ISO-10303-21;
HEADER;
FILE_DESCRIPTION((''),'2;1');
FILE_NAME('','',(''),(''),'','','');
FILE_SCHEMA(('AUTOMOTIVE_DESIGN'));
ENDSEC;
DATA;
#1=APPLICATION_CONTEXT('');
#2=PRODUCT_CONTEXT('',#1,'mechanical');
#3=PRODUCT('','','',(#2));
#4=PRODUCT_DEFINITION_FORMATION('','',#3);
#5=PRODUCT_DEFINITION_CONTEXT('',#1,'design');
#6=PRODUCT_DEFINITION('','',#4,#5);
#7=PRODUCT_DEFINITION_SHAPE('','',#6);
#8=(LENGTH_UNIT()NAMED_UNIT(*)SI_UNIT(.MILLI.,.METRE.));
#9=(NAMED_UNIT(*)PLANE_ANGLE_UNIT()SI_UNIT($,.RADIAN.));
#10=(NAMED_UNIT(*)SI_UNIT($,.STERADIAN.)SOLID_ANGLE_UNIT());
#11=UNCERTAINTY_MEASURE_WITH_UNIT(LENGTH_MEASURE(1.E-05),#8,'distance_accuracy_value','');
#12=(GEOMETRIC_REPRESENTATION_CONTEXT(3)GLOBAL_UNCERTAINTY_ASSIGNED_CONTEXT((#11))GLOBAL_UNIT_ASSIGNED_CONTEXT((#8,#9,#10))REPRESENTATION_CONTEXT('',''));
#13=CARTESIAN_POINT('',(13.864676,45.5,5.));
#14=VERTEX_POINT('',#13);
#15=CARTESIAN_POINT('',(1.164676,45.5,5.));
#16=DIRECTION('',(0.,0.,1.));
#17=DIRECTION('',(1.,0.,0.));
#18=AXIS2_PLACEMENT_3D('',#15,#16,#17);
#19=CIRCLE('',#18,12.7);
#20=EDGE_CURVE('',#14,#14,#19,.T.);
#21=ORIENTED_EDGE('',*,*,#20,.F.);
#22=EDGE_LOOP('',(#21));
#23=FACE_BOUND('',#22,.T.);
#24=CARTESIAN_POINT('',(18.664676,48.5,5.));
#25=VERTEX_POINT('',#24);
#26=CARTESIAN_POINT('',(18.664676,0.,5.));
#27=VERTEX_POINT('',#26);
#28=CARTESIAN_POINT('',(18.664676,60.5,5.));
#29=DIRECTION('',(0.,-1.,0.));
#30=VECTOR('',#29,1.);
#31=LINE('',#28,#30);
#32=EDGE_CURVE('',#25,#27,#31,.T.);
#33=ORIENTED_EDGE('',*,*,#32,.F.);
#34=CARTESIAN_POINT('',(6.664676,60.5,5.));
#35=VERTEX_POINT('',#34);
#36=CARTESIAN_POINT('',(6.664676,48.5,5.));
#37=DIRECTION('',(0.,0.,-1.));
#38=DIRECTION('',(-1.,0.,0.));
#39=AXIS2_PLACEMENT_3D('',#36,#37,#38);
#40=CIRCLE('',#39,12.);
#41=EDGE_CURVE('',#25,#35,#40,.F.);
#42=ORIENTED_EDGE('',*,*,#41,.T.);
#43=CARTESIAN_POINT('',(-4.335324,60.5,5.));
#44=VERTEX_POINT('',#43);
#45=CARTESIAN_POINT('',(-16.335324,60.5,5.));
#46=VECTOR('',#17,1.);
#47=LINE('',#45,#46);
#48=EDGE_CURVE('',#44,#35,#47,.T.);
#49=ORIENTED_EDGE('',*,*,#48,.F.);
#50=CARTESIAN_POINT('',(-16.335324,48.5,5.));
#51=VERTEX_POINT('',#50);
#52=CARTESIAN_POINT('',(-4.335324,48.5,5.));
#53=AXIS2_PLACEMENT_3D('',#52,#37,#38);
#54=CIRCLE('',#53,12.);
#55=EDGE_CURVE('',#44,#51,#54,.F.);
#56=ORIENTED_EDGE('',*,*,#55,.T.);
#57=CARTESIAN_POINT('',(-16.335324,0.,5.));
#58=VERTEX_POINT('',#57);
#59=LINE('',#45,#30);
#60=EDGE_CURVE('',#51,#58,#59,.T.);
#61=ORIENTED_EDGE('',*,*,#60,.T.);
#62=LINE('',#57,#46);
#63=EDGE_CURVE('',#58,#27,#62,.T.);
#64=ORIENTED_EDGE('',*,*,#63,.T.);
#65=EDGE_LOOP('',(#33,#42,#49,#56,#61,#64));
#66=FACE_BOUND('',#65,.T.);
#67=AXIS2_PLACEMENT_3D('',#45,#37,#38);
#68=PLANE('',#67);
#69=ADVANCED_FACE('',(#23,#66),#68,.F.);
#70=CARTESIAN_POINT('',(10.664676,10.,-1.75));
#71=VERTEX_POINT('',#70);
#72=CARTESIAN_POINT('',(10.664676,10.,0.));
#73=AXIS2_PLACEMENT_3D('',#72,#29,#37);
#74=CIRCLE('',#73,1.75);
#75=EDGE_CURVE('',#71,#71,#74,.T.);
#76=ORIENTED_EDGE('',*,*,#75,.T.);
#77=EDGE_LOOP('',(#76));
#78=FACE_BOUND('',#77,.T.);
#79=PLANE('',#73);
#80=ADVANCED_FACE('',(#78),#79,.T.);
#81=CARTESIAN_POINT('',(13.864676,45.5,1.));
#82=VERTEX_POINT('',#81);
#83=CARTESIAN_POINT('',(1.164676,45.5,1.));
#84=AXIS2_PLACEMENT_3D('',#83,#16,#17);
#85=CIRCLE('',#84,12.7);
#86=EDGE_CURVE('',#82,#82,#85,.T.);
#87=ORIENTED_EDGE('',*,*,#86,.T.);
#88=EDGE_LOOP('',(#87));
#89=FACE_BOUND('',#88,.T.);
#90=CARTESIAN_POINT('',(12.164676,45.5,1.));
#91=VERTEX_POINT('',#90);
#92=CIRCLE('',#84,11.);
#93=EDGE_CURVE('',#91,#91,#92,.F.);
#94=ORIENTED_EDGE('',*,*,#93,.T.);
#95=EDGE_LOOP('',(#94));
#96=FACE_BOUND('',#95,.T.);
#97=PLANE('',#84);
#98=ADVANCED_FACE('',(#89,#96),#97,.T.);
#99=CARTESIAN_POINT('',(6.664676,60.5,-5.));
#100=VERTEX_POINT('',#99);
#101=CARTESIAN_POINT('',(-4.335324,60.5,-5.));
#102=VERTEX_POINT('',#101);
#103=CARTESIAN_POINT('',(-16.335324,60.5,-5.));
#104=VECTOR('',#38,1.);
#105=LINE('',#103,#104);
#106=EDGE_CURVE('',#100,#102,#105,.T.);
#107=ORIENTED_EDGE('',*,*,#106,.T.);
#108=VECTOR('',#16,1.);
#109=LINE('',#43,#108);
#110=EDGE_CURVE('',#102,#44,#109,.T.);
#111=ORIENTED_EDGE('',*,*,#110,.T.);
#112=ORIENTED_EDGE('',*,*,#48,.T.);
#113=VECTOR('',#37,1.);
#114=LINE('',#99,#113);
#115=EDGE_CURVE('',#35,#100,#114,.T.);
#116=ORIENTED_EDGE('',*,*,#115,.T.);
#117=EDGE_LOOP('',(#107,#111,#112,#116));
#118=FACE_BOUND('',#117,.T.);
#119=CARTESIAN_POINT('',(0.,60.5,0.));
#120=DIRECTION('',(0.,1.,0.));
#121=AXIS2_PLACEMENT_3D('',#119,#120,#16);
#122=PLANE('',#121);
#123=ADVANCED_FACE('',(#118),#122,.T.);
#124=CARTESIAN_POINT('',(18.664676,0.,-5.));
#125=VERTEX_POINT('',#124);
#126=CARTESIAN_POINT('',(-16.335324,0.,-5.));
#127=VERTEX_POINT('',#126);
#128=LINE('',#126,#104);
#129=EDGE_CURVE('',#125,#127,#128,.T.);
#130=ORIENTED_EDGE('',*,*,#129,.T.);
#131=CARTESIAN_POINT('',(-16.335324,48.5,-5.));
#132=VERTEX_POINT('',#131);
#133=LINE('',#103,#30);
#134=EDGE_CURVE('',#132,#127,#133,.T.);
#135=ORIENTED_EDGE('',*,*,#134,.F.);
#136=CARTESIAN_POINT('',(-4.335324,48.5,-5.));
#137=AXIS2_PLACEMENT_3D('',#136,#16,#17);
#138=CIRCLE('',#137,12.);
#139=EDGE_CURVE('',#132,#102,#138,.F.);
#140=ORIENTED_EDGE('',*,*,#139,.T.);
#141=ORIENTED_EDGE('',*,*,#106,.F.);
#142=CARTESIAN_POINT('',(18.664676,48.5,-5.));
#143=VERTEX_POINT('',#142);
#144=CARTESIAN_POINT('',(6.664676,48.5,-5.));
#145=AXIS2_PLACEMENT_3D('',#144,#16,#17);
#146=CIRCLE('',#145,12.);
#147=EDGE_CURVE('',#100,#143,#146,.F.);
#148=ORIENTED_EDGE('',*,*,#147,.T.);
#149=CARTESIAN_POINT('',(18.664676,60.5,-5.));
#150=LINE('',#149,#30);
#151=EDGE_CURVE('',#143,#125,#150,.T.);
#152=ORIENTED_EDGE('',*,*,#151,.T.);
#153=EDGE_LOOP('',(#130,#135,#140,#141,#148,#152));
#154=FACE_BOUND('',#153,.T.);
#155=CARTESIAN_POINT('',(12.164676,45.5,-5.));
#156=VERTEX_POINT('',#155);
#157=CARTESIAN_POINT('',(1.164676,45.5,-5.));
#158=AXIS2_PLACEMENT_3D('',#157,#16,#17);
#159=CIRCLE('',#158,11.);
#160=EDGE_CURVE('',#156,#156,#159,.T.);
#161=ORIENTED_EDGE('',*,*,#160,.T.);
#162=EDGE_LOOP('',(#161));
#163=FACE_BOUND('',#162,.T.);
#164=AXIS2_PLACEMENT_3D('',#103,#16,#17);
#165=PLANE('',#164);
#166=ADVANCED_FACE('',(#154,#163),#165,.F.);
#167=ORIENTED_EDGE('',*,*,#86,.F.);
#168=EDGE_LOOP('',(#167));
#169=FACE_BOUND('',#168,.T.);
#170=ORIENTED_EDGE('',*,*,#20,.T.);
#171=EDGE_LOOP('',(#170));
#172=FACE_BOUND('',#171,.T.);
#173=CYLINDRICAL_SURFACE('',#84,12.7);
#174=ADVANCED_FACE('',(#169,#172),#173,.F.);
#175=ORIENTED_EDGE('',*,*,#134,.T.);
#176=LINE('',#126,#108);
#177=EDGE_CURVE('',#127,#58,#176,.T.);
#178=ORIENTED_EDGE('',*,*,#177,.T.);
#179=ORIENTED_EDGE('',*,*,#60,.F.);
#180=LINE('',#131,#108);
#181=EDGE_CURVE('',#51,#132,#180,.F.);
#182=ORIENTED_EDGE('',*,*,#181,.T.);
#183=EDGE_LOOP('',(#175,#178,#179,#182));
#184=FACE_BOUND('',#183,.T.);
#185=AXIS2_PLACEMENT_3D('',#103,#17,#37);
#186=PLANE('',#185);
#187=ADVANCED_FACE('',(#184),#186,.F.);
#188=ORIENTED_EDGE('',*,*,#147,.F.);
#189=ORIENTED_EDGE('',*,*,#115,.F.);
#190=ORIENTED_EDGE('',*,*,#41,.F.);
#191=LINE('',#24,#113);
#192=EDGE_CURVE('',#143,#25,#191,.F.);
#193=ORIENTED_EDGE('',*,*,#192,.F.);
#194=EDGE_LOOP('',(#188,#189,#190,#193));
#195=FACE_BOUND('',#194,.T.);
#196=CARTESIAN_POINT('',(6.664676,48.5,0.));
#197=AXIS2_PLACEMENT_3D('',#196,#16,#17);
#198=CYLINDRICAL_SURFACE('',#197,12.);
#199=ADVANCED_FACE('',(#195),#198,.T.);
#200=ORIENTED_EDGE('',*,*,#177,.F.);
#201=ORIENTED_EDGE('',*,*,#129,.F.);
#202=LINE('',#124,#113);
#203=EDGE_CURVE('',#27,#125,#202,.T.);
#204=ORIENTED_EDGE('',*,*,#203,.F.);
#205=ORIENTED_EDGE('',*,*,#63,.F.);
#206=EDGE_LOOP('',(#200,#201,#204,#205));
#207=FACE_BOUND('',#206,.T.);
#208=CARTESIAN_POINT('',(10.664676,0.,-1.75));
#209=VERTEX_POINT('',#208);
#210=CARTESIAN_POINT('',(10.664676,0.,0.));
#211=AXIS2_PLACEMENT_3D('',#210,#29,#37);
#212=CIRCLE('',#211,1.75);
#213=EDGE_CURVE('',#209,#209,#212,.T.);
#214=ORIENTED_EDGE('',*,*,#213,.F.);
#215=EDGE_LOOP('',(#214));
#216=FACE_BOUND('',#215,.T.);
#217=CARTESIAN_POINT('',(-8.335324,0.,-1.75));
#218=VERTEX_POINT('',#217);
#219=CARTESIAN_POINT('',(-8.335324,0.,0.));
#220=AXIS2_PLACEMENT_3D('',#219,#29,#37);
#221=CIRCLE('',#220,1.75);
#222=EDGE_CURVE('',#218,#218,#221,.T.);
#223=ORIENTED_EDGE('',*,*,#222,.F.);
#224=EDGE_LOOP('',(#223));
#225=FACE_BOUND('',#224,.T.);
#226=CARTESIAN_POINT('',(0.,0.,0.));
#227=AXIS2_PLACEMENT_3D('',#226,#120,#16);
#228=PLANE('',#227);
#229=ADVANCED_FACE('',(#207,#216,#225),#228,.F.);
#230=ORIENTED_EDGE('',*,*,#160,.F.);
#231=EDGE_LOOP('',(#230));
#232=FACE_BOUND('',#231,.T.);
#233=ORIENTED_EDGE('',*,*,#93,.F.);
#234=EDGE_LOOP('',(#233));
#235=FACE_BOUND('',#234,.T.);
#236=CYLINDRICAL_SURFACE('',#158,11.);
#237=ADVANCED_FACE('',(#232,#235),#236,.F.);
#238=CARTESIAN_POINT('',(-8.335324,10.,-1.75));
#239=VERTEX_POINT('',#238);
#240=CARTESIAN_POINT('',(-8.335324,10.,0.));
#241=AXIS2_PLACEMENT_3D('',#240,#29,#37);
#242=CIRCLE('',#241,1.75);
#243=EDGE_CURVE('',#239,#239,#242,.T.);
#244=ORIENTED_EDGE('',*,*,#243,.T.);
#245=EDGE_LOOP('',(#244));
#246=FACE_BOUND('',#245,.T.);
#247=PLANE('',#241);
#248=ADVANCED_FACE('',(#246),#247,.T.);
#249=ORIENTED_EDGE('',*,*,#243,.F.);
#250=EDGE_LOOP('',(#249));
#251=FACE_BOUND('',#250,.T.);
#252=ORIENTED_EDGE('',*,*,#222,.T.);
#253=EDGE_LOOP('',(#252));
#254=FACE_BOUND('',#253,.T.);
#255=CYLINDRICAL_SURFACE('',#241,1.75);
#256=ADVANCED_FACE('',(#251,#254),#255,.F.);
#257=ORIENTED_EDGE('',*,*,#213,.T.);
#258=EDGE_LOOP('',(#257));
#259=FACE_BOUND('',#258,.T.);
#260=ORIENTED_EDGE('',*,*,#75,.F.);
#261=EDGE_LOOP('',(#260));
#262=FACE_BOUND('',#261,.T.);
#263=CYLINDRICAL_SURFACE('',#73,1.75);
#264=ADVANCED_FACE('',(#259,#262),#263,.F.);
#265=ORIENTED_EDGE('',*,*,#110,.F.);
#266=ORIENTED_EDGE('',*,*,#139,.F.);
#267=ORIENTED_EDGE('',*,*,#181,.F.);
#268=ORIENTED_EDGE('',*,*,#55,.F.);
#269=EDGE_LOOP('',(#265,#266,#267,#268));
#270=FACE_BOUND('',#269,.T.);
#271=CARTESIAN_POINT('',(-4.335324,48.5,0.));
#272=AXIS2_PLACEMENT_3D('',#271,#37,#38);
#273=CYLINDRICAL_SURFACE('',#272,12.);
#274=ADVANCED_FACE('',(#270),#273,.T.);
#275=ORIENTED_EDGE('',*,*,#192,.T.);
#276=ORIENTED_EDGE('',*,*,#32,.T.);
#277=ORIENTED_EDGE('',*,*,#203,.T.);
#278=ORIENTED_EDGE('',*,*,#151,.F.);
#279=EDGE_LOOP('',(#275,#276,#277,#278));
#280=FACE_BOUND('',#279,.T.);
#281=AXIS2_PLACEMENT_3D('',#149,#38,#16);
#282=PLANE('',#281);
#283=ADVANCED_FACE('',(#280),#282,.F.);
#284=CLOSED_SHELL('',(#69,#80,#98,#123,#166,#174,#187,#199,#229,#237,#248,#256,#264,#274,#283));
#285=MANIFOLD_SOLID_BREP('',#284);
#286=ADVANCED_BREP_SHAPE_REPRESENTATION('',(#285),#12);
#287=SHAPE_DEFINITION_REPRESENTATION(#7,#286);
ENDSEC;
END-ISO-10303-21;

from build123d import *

# Parameters (mm, degrees)
SKETCH1_W           = 35
SKETCH1_H           = 10
BOSS_EXTRUDE1_DEPTH = 60.5
SKETCH2_R           = 11
CUT_EXTRUDE1_DEPTH  = 11
SKETCH3_R           = 1.75
CUT_EXTRUDE2_DEPTH  = 10
FILLET1_R           = 12
SKETCH4_R           = 12.7
CUT_EXTRUDE3_DEPTH  = 4


with BuildPart() as part:
    # Sketch1 → Boss-Extrude1 (new body)
    with BuildSketch(Plane(origin=(0, 0, 0), x_dir=(1, 0, 0), z_dir=(0, 1, 0))):
        with Locations((1.164675851, 0)):
            Rectangle(SKETCH1_W, SKETCH1_H)
    extrude(amount=BOSS_EXTRUDE1_DEPTH)

    # Sketch2 → Cut-Extrude1 (cut, through all)
    with BuildSketch(Plane.XY.offset(5)):
        with Locations((1.164675851, 45.5)):
            Circle(SKETCH2_R)
    extrude(amount=-CUT_EXTRUDE1_DEPTH, mode=Mode.SUBTRACT)

    # Sketch3 → Cut-Extrude2 (cut)
    with BuildSketch(Plane.XZ):
        with Locations((-8.335324149, 0)):
            Circle(SKETCH3_R)
        with Locations((10.664675851, 0)):
            Circle(SKETCH3_R)
    extrude(amount=-CUT_EXTRUDE2_DEPTH, mode=Mode.SUBTRACT)

    # Fillet1
    fillet1_edges = [part.edges().sort_by_distance(p)[0] for p in [
        (18.664675851, 60.5, 0),
        (-16.335324149, 60.5, 0),
    ]]
    fillet(fillet1_edges, radius=FILLET1_R)

    # Sketch4 → Cut-Extrude3 (cut)
    with BuildSketch(Plane.XY.offset(5)):
        with Locations((1.164675851, 45.5)):
            Circle(SKETCH4_R)
    extrude(amount=-CUT_EXTRUDE3_DEPTH, mode=Mode.SUBTRACT)


solid = part.part
